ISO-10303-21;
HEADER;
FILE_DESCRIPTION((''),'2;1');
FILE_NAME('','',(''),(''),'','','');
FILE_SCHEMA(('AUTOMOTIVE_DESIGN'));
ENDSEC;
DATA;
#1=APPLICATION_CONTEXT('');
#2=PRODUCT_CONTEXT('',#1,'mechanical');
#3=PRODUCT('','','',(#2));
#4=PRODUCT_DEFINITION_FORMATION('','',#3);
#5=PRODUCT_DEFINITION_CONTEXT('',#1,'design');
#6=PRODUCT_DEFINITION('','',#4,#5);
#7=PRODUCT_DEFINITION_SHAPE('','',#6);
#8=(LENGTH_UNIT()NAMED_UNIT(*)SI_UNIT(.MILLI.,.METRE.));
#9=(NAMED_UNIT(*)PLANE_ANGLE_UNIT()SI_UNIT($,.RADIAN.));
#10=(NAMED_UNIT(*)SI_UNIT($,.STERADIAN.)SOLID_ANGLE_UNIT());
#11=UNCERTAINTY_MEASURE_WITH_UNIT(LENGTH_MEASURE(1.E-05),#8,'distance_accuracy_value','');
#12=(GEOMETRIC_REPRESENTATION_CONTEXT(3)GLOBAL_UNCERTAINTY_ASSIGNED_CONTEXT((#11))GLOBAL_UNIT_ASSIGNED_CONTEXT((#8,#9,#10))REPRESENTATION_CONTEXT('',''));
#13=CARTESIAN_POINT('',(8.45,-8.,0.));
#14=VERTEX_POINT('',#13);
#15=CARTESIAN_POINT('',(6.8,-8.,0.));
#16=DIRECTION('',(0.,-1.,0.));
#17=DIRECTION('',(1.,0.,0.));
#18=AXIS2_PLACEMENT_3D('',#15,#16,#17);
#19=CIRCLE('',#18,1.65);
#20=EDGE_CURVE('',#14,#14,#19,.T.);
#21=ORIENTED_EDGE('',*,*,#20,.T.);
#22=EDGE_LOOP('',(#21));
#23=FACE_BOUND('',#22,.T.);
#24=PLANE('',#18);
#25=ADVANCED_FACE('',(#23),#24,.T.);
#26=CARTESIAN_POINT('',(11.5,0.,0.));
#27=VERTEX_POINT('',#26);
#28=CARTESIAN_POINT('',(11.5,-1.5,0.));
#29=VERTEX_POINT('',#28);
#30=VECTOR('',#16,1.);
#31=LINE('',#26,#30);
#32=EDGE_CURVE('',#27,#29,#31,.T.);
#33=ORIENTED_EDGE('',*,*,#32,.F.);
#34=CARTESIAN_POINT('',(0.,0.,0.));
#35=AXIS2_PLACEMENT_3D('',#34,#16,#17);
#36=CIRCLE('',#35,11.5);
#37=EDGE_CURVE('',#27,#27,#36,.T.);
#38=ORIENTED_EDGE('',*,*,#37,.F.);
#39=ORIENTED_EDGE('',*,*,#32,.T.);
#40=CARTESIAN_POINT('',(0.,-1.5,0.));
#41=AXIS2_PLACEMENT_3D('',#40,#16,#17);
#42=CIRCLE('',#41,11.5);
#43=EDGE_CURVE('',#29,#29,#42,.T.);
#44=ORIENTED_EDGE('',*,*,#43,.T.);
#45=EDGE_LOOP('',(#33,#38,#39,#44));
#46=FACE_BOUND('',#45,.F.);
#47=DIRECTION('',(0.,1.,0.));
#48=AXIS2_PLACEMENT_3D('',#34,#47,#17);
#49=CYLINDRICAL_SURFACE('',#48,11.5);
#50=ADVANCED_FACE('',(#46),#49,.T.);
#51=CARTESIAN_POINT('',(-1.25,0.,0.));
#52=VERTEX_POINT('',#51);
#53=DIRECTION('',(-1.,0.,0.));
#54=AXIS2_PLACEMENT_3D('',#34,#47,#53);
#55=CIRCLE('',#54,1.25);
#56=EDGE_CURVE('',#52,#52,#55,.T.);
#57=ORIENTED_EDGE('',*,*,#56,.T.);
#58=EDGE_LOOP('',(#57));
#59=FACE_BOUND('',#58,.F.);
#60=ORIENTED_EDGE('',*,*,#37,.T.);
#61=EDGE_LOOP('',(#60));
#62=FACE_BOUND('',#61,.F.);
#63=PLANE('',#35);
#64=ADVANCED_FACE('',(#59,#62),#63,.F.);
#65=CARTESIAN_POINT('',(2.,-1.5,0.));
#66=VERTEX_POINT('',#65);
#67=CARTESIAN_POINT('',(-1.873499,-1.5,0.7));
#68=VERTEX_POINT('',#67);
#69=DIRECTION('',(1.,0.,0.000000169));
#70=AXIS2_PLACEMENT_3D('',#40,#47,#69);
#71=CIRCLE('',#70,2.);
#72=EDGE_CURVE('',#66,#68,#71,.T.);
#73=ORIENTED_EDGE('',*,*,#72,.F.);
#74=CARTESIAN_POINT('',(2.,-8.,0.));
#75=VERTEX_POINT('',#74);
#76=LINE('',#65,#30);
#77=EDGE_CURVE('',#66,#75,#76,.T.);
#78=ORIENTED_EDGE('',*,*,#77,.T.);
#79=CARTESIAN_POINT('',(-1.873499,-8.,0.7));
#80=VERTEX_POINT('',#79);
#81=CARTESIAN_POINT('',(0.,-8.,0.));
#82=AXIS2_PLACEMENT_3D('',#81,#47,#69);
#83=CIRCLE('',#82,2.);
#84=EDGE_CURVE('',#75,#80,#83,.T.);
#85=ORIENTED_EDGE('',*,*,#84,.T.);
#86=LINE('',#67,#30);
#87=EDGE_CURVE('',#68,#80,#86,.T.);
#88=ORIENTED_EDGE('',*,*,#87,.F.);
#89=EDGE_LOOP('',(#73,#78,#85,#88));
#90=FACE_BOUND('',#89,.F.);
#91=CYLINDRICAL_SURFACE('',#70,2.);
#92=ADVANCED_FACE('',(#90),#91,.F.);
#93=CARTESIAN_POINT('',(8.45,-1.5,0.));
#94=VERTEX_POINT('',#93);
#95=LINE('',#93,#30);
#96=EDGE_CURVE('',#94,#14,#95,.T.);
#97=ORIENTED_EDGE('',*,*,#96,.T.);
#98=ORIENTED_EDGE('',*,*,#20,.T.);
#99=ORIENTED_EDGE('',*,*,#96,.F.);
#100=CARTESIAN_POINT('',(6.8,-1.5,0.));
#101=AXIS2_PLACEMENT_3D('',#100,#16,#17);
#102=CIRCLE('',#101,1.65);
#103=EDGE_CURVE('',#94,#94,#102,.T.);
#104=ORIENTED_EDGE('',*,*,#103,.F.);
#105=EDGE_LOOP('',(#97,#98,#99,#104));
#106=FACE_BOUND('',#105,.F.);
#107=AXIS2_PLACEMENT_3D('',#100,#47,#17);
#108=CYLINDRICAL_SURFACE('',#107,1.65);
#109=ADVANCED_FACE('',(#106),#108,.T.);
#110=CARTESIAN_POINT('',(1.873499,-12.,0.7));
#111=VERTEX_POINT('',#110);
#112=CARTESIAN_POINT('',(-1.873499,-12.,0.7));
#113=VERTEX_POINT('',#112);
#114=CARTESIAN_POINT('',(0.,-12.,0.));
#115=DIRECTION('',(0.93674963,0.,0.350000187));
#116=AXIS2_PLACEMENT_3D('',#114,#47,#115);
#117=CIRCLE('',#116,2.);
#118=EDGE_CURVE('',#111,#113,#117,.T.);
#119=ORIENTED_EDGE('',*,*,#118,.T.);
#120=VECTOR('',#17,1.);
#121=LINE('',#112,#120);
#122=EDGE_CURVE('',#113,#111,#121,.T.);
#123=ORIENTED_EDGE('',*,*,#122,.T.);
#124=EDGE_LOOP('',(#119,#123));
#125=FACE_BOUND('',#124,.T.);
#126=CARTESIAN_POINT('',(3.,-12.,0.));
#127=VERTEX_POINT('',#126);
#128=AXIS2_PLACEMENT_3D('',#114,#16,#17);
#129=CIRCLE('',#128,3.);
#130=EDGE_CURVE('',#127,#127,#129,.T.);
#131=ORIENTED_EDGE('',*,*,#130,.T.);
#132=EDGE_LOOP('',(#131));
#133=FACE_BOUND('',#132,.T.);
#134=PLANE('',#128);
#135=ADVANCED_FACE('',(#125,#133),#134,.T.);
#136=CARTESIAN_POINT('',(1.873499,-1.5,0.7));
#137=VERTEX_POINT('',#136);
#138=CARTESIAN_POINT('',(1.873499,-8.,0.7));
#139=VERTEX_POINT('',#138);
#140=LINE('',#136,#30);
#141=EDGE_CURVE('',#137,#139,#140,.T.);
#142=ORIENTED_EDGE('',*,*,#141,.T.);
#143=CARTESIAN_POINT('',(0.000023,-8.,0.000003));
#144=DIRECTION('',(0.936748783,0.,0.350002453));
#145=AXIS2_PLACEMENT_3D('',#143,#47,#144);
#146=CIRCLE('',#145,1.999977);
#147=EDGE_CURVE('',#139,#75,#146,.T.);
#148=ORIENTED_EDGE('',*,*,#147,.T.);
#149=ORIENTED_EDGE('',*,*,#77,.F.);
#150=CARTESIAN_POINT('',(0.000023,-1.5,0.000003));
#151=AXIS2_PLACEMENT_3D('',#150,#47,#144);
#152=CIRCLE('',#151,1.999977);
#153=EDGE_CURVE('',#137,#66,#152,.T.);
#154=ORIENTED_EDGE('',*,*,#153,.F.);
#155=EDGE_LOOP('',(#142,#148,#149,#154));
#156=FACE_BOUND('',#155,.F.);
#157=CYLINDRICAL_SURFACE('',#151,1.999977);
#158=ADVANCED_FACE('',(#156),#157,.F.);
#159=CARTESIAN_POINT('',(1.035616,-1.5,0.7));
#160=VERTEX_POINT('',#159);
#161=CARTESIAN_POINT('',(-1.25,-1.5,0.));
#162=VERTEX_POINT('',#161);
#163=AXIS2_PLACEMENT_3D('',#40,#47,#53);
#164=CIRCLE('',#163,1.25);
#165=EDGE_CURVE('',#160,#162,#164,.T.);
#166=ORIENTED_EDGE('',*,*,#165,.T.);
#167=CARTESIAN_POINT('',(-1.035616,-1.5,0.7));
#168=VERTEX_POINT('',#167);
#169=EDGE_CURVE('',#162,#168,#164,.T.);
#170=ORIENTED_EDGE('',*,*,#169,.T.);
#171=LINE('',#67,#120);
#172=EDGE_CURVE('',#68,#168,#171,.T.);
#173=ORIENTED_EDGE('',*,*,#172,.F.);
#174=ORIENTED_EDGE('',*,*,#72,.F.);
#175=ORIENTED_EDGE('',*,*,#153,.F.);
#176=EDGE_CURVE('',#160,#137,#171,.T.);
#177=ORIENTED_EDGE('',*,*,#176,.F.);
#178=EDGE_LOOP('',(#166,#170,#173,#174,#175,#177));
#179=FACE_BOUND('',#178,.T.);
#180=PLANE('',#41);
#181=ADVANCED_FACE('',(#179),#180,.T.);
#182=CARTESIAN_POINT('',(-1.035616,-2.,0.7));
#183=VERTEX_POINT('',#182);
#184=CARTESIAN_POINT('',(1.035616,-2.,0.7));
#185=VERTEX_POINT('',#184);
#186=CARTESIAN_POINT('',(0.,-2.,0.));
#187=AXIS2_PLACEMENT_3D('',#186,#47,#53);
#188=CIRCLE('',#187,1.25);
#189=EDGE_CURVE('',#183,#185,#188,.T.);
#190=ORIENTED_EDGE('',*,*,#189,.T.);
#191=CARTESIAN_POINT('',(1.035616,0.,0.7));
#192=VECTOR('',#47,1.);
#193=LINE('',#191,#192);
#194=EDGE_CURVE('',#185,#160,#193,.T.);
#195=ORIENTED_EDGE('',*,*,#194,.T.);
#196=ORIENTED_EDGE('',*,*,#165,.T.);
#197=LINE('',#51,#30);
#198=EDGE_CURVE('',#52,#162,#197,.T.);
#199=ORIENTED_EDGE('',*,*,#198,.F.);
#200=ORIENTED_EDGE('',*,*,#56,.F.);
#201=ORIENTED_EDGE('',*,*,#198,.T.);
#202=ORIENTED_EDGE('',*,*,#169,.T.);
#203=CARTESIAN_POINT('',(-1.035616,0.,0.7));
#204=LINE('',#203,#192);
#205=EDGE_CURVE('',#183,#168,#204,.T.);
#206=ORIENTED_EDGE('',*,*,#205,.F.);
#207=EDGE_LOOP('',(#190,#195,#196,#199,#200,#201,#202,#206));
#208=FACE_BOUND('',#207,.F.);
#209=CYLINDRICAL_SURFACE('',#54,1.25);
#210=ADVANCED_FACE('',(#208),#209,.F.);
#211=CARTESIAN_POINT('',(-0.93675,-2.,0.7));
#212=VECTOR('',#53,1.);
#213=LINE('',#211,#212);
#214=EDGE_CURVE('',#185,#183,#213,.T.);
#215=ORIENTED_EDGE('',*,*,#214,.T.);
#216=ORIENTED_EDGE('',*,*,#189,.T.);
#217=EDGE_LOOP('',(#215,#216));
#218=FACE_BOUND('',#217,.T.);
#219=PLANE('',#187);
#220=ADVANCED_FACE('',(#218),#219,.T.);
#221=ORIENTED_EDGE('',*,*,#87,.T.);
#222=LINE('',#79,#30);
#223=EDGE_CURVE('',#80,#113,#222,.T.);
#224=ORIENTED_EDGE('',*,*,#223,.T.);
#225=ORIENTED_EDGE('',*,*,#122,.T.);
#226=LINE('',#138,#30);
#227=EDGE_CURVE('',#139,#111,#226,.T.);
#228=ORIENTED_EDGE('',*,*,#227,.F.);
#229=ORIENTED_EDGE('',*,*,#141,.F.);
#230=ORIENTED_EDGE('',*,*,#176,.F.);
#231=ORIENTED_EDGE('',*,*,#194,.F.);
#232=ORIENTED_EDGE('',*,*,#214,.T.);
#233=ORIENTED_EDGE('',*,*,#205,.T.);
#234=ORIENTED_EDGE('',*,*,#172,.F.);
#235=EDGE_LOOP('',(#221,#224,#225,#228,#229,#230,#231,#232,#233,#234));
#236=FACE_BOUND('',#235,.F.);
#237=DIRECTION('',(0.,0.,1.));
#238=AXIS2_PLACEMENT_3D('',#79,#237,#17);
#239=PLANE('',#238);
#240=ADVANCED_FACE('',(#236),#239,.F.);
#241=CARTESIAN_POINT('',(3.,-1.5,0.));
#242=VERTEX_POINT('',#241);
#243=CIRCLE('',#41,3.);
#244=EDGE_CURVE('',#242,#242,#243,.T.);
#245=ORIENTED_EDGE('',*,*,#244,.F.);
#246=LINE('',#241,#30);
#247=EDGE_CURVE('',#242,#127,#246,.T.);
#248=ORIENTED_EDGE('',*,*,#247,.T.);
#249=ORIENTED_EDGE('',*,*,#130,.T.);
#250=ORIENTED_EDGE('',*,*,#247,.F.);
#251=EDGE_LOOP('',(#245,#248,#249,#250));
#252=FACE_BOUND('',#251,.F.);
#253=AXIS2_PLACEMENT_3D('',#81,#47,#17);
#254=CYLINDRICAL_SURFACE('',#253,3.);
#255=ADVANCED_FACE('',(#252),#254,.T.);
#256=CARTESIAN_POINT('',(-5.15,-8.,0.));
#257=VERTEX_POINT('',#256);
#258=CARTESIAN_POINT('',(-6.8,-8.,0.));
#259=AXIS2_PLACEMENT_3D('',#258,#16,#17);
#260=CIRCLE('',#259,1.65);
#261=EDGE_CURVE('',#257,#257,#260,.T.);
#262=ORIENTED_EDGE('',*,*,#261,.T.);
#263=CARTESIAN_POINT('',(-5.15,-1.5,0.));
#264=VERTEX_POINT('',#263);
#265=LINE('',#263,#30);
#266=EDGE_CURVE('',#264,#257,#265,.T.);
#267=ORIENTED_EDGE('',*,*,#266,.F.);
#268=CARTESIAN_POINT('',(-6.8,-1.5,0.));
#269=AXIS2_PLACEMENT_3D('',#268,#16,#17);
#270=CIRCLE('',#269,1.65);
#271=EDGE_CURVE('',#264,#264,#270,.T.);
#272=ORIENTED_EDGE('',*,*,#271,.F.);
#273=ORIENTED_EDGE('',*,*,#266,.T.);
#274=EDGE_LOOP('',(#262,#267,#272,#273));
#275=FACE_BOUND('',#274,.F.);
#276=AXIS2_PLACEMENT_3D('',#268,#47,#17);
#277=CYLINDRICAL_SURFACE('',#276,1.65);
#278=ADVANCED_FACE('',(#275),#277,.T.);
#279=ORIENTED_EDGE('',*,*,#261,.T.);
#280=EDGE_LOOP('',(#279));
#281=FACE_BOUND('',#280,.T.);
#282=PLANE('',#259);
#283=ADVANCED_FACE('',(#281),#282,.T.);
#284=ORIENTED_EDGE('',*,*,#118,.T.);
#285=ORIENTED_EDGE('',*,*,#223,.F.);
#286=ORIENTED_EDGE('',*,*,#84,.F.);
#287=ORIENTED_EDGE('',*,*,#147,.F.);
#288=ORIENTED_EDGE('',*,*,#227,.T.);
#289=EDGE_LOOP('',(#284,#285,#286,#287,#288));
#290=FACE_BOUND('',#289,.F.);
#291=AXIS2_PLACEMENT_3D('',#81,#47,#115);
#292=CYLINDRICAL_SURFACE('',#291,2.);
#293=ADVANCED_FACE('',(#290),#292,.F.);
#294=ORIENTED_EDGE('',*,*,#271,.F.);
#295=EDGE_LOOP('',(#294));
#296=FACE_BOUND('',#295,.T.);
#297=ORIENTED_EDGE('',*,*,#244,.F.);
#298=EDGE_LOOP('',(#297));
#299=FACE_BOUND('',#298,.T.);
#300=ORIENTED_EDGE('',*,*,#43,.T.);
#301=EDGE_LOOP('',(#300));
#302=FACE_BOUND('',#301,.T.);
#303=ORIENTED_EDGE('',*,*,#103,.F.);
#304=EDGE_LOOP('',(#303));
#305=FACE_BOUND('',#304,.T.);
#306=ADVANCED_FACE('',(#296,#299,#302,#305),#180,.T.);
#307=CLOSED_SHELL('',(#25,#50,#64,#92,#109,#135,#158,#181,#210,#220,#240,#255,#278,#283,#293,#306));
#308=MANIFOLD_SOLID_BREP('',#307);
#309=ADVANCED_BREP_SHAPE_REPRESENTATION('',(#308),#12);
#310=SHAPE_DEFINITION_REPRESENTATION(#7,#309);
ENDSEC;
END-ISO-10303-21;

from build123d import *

# Parameters (mm, degrees)
F0_R      = 11.5
F0_R_2    = 3
F0_R_3    = 1.8
F1_DEPTH  = 1.5
F2_R      = 1.65
F2_R_2    = 3
F3_DEPTH  = 6.5
F3_FACE_R = 3
F4_DEPTH  = 4
F5_R      = 1.25
F6_DEPTH  = 2


with BuildPart() as f1:
    # F0 (on Front) → F1 (new body)
    with BuildSketch(Plane.XZ):
        Circle(F0_R)
        Circle(F0_R_2, mode=Mode.SUBTRACT)
        with Locations((6.5, 0)):
            Circle(F0_R_3, mode=Mode.SUBTRACT)
        Circle(F0_R_2)
        with Locations((6.5, 0)):
            Circle(F0_R_3)
    extrude(amount=F1_DEPTH)

    # F2 (on face) → F3 (join)
    with BuildSketch(Plane.XZ.offset(1.5)):
        with Locations((-6.8, 0)):
            Circle(F2_R)
        Circle(F2_R_2)
        with BuildLine():
            ThreePointArc((1.873499, 0.7), (1.968121, 0.355669), (2, 0))
            ThreePointArc((2, 0), (-0.355669, -1.968121), (-1.873499, 0.7))
            ThreePointArc((-1.873499, 0.7), (0, 2), (1.873499, 0.7))
        make_face(mode=Mode.SUBTRACT)
        with BuildLine():
            Line((-1.873499, 0.7), (1.873499, 0.7))
            ThreePointArc((1.873499, 0.7), (0, 2), (-1.873499, 0.7))
        make_face()
        with Locations((6.8, 0)):
            Circle(F2_R)
    extrude(amount=F3_DEPTH)

    # F3_face (on face) → F4 (join)
    with BuildSketch(Plane(origin=(0, -8, 0.227747), x_dir=(1, 0, 0), z_dir=(0, -1, 0))):
        with Locations((0, -0.227747)):
            Circle(F3_FACE_R)
        with BuildLine():
            ThreePointArc((1.873499, 0.472253), (0, -2.227747), (-1.873499, 0.472253))
            Line((-1.873499, 0.472253), (1.873499, 0.472253))
        make_face(mode=Mode.SUBTRACT)
    extrude(amount=F4_DEPTH)

    # F5 (on face) → F6 (cut)
    with BuildSketch(Plane(origin=(0, 0, 0), x_dir=(-1, 0, 0), z_dir=(0, 1, 0))):
        Circle(F5_R)
    extrude(amount=-F6_DEPTH, mode=Mode.SUBTRACT)


solid = f1.part
